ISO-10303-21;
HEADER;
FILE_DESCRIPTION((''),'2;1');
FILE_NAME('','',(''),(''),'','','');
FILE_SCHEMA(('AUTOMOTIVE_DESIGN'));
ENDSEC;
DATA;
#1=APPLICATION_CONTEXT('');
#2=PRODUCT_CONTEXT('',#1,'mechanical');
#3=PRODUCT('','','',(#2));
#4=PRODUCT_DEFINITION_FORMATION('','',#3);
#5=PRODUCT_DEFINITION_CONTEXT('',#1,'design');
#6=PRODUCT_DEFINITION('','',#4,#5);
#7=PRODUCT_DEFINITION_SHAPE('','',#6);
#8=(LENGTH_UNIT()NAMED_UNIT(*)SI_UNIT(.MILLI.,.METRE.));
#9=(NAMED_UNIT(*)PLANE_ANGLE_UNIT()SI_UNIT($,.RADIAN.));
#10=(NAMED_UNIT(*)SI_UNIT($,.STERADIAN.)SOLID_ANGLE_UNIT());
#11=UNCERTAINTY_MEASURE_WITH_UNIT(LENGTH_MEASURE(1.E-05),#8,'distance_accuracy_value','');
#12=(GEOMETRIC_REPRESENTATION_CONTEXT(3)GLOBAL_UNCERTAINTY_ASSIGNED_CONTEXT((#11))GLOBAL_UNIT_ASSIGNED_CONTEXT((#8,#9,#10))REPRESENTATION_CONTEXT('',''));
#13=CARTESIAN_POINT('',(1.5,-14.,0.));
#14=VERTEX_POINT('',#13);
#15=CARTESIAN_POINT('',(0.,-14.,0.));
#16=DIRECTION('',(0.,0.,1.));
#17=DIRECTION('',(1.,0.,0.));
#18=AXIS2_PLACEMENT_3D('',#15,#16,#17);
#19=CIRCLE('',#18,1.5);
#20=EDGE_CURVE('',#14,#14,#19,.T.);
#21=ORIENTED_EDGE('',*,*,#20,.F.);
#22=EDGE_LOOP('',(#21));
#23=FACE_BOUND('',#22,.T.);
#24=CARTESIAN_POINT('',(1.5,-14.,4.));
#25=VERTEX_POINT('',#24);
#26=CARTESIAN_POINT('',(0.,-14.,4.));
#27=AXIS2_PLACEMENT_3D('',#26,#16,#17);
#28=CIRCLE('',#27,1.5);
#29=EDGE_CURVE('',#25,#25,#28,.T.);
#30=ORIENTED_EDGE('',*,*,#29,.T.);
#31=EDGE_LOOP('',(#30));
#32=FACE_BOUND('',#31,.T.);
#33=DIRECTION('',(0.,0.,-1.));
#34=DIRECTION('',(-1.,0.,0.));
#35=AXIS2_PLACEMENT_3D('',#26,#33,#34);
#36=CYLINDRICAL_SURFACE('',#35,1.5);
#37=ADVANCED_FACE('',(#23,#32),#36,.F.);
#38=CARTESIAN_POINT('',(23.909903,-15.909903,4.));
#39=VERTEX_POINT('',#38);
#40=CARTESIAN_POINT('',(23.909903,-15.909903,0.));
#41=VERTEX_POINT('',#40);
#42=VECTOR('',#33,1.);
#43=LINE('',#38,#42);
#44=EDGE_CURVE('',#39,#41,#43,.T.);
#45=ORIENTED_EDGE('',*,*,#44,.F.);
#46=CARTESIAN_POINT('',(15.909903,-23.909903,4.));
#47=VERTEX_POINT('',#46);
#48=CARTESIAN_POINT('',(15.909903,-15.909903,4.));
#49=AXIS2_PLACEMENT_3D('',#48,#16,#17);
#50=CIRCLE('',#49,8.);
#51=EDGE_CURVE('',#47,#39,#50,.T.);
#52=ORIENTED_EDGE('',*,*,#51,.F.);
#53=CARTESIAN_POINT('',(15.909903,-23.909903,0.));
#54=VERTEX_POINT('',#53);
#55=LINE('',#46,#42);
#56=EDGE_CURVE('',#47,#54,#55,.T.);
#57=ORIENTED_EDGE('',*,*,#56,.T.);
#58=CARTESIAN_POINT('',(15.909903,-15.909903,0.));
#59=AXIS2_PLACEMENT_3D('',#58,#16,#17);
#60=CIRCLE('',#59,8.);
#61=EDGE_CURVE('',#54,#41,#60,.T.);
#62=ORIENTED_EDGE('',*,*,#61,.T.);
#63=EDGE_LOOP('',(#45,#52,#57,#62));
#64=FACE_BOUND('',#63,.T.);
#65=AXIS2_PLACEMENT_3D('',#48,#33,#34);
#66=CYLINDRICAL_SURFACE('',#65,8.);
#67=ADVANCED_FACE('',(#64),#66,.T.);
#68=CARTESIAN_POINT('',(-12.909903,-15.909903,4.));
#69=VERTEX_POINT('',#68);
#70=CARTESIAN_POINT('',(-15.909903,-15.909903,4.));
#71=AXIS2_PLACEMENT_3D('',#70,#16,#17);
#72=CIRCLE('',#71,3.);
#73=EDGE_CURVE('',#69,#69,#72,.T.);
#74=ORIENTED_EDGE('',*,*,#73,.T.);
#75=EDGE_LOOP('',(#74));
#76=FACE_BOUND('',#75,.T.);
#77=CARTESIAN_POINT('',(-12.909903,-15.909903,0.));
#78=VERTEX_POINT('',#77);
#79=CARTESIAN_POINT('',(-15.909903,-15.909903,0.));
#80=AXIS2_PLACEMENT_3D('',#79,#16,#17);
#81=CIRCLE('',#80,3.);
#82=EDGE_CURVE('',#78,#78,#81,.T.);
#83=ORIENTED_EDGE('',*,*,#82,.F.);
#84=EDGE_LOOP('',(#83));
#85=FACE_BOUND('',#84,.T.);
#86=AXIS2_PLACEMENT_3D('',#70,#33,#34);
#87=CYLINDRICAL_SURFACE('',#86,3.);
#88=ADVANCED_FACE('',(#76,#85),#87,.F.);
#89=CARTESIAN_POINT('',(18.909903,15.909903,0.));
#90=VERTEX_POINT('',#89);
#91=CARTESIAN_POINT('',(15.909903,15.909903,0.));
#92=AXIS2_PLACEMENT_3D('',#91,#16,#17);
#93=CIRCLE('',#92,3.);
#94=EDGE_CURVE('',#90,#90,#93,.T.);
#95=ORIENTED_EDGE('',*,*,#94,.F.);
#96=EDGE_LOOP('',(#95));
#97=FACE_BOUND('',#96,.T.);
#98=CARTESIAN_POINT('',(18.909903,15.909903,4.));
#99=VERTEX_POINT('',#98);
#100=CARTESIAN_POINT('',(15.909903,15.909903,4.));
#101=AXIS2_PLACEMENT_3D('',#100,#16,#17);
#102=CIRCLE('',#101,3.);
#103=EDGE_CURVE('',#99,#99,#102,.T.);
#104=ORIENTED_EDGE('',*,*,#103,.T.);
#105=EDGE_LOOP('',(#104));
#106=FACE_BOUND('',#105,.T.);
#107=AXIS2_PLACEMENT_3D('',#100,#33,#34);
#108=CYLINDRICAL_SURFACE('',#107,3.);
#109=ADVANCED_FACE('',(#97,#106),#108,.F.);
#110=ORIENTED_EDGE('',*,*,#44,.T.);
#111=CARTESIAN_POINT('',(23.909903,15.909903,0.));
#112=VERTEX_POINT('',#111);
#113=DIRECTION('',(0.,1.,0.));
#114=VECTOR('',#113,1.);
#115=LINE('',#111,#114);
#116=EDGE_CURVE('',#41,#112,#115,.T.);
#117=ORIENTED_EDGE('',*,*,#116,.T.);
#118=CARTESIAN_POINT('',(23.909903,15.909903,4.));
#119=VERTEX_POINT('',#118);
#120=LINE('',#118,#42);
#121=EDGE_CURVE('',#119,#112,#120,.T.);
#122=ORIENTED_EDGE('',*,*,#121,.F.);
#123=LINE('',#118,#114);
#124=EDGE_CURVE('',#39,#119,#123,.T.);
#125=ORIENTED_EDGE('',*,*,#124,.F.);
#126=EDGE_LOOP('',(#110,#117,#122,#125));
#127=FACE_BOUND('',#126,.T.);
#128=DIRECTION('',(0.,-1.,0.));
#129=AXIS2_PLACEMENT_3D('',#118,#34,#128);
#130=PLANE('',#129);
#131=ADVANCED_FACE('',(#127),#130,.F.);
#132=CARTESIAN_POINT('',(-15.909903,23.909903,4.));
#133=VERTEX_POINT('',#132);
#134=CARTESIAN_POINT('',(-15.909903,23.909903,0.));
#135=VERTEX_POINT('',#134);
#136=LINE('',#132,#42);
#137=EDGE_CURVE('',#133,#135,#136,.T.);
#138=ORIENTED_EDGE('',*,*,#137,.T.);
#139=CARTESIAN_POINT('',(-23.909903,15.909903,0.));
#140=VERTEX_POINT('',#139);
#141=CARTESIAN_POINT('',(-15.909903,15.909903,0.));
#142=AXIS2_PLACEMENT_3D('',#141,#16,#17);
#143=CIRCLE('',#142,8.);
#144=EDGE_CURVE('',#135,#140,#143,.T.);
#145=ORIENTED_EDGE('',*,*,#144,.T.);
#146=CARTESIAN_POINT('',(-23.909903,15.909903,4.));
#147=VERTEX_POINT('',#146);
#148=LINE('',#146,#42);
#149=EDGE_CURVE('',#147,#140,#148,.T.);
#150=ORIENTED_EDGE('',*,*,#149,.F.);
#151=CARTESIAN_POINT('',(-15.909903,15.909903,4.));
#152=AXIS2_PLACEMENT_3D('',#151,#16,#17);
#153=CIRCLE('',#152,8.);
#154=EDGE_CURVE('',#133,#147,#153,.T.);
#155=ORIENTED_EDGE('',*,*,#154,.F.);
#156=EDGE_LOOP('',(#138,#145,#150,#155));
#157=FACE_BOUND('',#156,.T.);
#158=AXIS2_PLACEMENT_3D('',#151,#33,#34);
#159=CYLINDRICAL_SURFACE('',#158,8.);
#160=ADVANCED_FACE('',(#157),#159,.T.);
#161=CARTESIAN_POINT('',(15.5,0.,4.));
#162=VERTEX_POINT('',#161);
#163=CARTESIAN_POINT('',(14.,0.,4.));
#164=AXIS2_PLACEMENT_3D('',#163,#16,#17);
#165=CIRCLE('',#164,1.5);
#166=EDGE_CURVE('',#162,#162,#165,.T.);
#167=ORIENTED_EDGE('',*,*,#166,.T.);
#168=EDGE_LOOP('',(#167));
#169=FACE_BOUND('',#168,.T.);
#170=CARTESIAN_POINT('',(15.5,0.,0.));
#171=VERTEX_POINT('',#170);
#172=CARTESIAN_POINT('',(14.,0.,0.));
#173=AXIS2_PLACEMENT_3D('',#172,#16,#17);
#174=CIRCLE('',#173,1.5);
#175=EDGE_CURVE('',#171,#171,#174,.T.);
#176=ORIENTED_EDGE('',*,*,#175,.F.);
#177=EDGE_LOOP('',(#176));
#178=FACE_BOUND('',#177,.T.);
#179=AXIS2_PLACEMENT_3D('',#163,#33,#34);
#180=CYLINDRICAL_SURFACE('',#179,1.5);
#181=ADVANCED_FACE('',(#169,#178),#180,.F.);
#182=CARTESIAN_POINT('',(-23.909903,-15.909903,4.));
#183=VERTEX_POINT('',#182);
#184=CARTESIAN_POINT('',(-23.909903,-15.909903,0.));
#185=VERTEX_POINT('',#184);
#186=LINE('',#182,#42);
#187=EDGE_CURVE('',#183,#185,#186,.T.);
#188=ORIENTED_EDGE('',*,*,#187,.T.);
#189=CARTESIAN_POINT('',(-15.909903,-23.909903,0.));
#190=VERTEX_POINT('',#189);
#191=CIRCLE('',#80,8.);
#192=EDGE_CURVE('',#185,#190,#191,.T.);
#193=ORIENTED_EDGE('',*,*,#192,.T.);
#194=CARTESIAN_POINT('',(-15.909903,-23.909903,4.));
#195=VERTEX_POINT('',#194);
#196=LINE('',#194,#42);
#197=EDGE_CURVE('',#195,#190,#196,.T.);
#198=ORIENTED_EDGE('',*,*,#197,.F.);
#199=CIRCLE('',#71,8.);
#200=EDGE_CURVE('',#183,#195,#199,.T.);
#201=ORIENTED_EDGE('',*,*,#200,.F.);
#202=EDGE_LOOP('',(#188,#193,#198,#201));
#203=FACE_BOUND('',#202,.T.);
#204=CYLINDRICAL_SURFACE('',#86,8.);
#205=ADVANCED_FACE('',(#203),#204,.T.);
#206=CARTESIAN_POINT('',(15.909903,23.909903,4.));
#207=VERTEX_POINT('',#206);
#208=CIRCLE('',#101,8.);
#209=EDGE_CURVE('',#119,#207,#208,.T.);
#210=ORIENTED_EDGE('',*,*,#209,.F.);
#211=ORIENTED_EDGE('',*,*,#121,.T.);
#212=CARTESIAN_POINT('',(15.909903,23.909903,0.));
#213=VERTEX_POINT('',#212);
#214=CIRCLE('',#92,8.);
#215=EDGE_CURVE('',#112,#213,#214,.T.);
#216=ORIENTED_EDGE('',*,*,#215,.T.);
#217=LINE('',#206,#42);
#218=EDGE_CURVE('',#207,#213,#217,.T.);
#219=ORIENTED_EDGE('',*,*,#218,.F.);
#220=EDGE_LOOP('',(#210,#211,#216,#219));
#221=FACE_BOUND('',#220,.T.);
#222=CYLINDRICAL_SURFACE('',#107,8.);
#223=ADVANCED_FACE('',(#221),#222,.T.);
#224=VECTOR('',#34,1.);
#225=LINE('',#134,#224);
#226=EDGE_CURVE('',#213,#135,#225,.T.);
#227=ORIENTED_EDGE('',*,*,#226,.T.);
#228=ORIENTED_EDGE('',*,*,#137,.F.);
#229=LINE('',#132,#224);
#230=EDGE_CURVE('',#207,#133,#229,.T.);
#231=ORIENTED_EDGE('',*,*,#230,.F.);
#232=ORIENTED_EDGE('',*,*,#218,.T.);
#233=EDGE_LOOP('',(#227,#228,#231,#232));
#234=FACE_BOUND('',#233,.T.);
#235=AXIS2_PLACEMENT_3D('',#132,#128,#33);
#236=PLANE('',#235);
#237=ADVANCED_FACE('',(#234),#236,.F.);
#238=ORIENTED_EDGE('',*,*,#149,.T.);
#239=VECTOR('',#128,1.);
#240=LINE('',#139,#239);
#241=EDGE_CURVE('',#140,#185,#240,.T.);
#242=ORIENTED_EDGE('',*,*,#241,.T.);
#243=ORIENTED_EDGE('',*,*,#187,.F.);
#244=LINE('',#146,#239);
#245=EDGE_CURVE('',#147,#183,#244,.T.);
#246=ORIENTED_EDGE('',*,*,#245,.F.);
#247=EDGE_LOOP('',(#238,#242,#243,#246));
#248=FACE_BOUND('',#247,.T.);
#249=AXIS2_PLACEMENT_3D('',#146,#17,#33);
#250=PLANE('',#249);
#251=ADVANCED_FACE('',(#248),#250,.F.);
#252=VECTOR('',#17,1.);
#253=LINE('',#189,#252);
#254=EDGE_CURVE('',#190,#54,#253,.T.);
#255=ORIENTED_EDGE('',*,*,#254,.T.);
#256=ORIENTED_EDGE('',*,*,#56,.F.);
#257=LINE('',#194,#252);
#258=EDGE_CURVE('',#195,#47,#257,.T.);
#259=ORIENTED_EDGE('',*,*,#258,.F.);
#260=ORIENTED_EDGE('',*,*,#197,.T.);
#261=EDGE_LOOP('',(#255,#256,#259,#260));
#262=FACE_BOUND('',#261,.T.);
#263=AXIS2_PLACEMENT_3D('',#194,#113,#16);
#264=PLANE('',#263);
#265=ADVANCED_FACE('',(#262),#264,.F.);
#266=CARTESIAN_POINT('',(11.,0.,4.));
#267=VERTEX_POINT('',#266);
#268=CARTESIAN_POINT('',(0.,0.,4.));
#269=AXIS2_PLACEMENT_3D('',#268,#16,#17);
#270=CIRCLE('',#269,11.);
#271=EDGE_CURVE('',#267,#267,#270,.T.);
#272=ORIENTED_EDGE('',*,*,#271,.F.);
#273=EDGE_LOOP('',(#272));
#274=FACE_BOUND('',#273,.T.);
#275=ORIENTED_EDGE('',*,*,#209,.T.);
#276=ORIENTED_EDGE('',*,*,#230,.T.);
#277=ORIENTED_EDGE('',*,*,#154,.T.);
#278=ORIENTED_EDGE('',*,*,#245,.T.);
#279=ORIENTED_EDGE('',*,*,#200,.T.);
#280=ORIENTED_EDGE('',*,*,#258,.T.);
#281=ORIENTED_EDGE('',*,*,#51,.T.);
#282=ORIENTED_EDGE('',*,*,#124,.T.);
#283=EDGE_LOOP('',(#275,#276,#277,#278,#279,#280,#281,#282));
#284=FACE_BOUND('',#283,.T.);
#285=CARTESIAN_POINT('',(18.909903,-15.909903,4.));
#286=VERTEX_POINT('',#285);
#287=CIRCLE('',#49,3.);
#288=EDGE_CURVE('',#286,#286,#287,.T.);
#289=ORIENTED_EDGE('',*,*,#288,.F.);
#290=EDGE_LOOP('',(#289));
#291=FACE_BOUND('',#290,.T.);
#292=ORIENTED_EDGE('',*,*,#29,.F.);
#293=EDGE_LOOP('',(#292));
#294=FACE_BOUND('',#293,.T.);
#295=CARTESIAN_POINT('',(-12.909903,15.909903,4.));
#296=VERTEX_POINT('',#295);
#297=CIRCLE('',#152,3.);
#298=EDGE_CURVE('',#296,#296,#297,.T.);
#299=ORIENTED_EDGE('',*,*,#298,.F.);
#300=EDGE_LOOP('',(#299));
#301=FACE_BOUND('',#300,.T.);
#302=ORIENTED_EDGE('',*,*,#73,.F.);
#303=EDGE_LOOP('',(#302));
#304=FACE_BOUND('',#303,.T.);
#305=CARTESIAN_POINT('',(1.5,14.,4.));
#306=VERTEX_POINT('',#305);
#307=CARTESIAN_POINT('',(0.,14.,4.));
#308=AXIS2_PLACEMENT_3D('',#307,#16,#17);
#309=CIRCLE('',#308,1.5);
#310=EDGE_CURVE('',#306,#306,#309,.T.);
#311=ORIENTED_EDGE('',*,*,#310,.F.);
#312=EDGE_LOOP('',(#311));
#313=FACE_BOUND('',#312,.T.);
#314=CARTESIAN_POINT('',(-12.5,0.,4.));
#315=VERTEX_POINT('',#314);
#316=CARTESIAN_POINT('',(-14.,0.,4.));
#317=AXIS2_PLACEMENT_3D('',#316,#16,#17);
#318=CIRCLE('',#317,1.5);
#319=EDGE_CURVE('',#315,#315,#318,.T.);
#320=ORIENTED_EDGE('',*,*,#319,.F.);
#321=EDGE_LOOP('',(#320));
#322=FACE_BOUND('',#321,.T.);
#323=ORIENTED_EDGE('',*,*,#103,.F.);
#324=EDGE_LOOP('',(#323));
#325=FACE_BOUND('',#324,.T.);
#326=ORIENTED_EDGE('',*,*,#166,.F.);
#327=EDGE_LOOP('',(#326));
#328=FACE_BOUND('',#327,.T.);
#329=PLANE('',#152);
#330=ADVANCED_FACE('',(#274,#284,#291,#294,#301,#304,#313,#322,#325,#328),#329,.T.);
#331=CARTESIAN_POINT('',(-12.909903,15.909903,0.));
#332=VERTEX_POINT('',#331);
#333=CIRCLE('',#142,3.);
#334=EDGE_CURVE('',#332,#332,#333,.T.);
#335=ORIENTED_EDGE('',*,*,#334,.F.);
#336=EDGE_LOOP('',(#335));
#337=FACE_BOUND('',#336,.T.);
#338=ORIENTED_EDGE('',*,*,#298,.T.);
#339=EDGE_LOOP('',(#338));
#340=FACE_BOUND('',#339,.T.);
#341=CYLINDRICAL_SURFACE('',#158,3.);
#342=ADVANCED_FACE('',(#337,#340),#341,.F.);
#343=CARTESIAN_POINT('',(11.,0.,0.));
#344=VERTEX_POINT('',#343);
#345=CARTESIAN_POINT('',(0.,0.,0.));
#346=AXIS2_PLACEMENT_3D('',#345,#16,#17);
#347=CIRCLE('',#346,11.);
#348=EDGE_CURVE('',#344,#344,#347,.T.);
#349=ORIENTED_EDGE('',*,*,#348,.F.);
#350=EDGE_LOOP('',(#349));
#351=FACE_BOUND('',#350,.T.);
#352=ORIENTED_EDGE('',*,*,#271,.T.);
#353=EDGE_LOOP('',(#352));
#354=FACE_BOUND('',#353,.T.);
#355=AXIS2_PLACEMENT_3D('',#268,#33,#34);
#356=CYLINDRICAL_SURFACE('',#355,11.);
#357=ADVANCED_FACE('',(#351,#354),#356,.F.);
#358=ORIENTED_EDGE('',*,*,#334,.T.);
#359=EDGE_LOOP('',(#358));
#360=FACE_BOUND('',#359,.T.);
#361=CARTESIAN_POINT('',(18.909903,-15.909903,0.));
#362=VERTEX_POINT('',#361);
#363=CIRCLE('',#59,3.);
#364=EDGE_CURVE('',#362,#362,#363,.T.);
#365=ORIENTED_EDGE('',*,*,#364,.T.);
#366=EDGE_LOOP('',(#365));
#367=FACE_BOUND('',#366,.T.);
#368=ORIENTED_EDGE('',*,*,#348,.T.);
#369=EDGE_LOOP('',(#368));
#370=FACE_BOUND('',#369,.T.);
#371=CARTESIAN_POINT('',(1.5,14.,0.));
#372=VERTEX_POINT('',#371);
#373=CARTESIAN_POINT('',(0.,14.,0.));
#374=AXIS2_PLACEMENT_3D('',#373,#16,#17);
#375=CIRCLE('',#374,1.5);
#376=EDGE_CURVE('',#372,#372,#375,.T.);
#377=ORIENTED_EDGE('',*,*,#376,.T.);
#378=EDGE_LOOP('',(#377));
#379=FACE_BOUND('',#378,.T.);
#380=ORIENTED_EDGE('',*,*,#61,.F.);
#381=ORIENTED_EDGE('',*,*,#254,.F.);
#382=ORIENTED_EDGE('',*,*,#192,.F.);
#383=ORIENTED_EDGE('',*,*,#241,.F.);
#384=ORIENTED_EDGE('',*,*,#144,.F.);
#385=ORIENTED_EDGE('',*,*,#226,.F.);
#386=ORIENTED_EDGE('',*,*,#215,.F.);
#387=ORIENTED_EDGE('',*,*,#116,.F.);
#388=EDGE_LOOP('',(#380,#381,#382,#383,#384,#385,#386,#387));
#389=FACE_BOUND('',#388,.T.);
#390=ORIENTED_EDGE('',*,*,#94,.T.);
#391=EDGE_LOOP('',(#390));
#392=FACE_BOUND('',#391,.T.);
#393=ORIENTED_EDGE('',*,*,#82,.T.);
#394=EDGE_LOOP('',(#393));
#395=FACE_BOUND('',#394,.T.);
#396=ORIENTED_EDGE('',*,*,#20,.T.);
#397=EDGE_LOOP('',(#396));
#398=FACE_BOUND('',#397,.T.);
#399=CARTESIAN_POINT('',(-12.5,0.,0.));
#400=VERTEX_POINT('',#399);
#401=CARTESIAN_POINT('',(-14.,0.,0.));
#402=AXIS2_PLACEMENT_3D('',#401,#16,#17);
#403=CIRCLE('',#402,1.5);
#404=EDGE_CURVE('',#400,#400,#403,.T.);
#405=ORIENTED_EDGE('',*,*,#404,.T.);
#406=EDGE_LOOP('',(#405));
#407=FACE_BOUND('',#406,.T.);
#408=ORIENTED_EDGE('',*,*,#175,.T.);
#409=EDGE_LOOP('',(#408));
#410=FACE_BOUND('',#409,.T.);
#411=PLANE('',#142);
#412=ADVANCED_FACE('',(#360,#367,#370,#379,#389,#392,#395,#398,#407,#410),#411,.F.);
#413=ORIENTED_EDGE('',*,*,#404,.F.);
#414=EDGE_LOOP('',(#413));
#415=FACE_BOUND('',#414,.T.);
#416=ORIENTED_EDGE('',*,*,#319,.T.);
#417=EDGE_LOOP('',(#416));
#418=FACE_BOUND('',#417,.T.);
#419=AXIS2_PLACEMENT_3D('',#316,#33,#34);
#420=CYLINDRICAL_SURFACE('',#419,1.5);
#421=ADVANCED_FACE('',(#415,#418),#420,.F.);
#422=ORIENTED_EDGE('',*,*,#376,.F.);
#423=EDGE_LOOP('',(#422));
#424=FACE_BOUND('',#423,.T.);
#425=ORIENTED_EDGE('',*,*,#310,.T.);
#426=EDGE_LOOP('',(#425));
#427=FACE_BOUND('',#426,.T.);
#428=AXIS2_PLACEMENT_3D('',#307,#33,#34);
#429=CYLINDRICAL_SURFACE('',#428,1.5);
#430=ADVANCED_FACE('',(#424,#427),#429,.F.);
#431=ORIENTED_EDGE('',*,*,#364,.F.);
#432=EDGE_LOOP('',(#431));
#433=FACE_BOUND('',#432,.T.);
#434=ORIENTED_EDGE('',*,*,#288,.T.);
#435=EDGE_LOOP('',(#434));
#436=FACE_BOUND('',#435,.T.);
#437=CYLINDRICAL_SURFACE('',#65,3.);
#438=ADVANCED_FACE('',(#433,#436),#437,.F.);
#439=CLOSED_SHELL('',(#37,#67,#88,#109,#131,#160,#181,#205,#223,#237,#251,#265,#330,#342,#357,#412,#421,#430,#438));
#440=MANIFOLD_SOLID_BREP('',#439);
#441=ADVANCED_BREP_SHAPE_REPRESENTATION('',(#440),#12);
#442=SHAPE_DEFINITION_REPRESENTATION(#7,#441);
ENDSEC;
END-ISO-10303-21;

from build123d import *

# Parameters (mm, degrees)
SKETCH_1_R      = 11
SKETCH_1_R_2    = 1.5
SKETCH_1_R_3    = 3
EXTRUDE_1_DEPTH = 4


with BuildPart() as part:
    # 草图1 → 凸台-拉伸1 (new body)
    with BuildSketch(Plane.XY):
        with BuildLine():
            Line((-15.909902577, 23.909902577), (15.909902577, 23.909902577))
            ThreePointArc((15.909902577, 23.909902577), (21.566756826, 21.566756826), (23.909902577, 15.909902577))
            Line((23.909902577, 15.909902577), (23.909902577, -15.909902577))
            ThreePointArc((23.909902577, -15.909902577), (21.566756826, -21.566756826), (15.909902577, -23.909902577))
            Line((15.909902577, -23.909902577), (-15.909902577, -23.909902577))
            ThreePointArc((-15.909902577, -23.909902577), (-21.566756826, -21.566756826), (-23.909902577, -15.909902577))
            Line((-23.909902577, -15.909902577), (-23.909902577, 15.909902577))
            ThreePointArc((-23.909902577, 15.909902577), (-21.566756826, 21.566756826), (-15.909902577, 23.909902577))
        make_face()
        Circle(SKETCH_1_R, mode=Mode.SUBTRACT)
        with Locations((0, 14)):
            Circle(SKETCH_1_R_2, mode=Mode.SUBTRACT)
        with Locations((14, 0)):
            Circle(SKETCH_1_R_2, mode=Mode.SUBTRACT)
        with Locations((0, -14)):
            Circle(SKETCH_1_R_2, mode=Mode.SUBTRACT)
        with Locations((-14, 0)):
            Circle(SKETCH_1_R_2, mode=Mode.SUBTRACT)
        with Locations((15.909902577, 15.909902577)):
            Circle(SKETCH_1_R_3, mode=Mode.SUBTRACT)
        with Locations((15.909902577, -15.909902577)):
            Circle(SKETCH_1_R_3, mode=Mode.SUBTRACT)
        with Locations((-15.909902577, -15.909902577)):
            Circle(SKETCH_1_R_3, mode=Mode.SUBTRACT)
        with Locations((-15.909902577, 15.909902577)):
            Circle(SKETCH_1_R_3, mode=Mode.SUBTRACT)
    extrude(amount=EXTRUDE_1_DEPTH)


solid = part.part
